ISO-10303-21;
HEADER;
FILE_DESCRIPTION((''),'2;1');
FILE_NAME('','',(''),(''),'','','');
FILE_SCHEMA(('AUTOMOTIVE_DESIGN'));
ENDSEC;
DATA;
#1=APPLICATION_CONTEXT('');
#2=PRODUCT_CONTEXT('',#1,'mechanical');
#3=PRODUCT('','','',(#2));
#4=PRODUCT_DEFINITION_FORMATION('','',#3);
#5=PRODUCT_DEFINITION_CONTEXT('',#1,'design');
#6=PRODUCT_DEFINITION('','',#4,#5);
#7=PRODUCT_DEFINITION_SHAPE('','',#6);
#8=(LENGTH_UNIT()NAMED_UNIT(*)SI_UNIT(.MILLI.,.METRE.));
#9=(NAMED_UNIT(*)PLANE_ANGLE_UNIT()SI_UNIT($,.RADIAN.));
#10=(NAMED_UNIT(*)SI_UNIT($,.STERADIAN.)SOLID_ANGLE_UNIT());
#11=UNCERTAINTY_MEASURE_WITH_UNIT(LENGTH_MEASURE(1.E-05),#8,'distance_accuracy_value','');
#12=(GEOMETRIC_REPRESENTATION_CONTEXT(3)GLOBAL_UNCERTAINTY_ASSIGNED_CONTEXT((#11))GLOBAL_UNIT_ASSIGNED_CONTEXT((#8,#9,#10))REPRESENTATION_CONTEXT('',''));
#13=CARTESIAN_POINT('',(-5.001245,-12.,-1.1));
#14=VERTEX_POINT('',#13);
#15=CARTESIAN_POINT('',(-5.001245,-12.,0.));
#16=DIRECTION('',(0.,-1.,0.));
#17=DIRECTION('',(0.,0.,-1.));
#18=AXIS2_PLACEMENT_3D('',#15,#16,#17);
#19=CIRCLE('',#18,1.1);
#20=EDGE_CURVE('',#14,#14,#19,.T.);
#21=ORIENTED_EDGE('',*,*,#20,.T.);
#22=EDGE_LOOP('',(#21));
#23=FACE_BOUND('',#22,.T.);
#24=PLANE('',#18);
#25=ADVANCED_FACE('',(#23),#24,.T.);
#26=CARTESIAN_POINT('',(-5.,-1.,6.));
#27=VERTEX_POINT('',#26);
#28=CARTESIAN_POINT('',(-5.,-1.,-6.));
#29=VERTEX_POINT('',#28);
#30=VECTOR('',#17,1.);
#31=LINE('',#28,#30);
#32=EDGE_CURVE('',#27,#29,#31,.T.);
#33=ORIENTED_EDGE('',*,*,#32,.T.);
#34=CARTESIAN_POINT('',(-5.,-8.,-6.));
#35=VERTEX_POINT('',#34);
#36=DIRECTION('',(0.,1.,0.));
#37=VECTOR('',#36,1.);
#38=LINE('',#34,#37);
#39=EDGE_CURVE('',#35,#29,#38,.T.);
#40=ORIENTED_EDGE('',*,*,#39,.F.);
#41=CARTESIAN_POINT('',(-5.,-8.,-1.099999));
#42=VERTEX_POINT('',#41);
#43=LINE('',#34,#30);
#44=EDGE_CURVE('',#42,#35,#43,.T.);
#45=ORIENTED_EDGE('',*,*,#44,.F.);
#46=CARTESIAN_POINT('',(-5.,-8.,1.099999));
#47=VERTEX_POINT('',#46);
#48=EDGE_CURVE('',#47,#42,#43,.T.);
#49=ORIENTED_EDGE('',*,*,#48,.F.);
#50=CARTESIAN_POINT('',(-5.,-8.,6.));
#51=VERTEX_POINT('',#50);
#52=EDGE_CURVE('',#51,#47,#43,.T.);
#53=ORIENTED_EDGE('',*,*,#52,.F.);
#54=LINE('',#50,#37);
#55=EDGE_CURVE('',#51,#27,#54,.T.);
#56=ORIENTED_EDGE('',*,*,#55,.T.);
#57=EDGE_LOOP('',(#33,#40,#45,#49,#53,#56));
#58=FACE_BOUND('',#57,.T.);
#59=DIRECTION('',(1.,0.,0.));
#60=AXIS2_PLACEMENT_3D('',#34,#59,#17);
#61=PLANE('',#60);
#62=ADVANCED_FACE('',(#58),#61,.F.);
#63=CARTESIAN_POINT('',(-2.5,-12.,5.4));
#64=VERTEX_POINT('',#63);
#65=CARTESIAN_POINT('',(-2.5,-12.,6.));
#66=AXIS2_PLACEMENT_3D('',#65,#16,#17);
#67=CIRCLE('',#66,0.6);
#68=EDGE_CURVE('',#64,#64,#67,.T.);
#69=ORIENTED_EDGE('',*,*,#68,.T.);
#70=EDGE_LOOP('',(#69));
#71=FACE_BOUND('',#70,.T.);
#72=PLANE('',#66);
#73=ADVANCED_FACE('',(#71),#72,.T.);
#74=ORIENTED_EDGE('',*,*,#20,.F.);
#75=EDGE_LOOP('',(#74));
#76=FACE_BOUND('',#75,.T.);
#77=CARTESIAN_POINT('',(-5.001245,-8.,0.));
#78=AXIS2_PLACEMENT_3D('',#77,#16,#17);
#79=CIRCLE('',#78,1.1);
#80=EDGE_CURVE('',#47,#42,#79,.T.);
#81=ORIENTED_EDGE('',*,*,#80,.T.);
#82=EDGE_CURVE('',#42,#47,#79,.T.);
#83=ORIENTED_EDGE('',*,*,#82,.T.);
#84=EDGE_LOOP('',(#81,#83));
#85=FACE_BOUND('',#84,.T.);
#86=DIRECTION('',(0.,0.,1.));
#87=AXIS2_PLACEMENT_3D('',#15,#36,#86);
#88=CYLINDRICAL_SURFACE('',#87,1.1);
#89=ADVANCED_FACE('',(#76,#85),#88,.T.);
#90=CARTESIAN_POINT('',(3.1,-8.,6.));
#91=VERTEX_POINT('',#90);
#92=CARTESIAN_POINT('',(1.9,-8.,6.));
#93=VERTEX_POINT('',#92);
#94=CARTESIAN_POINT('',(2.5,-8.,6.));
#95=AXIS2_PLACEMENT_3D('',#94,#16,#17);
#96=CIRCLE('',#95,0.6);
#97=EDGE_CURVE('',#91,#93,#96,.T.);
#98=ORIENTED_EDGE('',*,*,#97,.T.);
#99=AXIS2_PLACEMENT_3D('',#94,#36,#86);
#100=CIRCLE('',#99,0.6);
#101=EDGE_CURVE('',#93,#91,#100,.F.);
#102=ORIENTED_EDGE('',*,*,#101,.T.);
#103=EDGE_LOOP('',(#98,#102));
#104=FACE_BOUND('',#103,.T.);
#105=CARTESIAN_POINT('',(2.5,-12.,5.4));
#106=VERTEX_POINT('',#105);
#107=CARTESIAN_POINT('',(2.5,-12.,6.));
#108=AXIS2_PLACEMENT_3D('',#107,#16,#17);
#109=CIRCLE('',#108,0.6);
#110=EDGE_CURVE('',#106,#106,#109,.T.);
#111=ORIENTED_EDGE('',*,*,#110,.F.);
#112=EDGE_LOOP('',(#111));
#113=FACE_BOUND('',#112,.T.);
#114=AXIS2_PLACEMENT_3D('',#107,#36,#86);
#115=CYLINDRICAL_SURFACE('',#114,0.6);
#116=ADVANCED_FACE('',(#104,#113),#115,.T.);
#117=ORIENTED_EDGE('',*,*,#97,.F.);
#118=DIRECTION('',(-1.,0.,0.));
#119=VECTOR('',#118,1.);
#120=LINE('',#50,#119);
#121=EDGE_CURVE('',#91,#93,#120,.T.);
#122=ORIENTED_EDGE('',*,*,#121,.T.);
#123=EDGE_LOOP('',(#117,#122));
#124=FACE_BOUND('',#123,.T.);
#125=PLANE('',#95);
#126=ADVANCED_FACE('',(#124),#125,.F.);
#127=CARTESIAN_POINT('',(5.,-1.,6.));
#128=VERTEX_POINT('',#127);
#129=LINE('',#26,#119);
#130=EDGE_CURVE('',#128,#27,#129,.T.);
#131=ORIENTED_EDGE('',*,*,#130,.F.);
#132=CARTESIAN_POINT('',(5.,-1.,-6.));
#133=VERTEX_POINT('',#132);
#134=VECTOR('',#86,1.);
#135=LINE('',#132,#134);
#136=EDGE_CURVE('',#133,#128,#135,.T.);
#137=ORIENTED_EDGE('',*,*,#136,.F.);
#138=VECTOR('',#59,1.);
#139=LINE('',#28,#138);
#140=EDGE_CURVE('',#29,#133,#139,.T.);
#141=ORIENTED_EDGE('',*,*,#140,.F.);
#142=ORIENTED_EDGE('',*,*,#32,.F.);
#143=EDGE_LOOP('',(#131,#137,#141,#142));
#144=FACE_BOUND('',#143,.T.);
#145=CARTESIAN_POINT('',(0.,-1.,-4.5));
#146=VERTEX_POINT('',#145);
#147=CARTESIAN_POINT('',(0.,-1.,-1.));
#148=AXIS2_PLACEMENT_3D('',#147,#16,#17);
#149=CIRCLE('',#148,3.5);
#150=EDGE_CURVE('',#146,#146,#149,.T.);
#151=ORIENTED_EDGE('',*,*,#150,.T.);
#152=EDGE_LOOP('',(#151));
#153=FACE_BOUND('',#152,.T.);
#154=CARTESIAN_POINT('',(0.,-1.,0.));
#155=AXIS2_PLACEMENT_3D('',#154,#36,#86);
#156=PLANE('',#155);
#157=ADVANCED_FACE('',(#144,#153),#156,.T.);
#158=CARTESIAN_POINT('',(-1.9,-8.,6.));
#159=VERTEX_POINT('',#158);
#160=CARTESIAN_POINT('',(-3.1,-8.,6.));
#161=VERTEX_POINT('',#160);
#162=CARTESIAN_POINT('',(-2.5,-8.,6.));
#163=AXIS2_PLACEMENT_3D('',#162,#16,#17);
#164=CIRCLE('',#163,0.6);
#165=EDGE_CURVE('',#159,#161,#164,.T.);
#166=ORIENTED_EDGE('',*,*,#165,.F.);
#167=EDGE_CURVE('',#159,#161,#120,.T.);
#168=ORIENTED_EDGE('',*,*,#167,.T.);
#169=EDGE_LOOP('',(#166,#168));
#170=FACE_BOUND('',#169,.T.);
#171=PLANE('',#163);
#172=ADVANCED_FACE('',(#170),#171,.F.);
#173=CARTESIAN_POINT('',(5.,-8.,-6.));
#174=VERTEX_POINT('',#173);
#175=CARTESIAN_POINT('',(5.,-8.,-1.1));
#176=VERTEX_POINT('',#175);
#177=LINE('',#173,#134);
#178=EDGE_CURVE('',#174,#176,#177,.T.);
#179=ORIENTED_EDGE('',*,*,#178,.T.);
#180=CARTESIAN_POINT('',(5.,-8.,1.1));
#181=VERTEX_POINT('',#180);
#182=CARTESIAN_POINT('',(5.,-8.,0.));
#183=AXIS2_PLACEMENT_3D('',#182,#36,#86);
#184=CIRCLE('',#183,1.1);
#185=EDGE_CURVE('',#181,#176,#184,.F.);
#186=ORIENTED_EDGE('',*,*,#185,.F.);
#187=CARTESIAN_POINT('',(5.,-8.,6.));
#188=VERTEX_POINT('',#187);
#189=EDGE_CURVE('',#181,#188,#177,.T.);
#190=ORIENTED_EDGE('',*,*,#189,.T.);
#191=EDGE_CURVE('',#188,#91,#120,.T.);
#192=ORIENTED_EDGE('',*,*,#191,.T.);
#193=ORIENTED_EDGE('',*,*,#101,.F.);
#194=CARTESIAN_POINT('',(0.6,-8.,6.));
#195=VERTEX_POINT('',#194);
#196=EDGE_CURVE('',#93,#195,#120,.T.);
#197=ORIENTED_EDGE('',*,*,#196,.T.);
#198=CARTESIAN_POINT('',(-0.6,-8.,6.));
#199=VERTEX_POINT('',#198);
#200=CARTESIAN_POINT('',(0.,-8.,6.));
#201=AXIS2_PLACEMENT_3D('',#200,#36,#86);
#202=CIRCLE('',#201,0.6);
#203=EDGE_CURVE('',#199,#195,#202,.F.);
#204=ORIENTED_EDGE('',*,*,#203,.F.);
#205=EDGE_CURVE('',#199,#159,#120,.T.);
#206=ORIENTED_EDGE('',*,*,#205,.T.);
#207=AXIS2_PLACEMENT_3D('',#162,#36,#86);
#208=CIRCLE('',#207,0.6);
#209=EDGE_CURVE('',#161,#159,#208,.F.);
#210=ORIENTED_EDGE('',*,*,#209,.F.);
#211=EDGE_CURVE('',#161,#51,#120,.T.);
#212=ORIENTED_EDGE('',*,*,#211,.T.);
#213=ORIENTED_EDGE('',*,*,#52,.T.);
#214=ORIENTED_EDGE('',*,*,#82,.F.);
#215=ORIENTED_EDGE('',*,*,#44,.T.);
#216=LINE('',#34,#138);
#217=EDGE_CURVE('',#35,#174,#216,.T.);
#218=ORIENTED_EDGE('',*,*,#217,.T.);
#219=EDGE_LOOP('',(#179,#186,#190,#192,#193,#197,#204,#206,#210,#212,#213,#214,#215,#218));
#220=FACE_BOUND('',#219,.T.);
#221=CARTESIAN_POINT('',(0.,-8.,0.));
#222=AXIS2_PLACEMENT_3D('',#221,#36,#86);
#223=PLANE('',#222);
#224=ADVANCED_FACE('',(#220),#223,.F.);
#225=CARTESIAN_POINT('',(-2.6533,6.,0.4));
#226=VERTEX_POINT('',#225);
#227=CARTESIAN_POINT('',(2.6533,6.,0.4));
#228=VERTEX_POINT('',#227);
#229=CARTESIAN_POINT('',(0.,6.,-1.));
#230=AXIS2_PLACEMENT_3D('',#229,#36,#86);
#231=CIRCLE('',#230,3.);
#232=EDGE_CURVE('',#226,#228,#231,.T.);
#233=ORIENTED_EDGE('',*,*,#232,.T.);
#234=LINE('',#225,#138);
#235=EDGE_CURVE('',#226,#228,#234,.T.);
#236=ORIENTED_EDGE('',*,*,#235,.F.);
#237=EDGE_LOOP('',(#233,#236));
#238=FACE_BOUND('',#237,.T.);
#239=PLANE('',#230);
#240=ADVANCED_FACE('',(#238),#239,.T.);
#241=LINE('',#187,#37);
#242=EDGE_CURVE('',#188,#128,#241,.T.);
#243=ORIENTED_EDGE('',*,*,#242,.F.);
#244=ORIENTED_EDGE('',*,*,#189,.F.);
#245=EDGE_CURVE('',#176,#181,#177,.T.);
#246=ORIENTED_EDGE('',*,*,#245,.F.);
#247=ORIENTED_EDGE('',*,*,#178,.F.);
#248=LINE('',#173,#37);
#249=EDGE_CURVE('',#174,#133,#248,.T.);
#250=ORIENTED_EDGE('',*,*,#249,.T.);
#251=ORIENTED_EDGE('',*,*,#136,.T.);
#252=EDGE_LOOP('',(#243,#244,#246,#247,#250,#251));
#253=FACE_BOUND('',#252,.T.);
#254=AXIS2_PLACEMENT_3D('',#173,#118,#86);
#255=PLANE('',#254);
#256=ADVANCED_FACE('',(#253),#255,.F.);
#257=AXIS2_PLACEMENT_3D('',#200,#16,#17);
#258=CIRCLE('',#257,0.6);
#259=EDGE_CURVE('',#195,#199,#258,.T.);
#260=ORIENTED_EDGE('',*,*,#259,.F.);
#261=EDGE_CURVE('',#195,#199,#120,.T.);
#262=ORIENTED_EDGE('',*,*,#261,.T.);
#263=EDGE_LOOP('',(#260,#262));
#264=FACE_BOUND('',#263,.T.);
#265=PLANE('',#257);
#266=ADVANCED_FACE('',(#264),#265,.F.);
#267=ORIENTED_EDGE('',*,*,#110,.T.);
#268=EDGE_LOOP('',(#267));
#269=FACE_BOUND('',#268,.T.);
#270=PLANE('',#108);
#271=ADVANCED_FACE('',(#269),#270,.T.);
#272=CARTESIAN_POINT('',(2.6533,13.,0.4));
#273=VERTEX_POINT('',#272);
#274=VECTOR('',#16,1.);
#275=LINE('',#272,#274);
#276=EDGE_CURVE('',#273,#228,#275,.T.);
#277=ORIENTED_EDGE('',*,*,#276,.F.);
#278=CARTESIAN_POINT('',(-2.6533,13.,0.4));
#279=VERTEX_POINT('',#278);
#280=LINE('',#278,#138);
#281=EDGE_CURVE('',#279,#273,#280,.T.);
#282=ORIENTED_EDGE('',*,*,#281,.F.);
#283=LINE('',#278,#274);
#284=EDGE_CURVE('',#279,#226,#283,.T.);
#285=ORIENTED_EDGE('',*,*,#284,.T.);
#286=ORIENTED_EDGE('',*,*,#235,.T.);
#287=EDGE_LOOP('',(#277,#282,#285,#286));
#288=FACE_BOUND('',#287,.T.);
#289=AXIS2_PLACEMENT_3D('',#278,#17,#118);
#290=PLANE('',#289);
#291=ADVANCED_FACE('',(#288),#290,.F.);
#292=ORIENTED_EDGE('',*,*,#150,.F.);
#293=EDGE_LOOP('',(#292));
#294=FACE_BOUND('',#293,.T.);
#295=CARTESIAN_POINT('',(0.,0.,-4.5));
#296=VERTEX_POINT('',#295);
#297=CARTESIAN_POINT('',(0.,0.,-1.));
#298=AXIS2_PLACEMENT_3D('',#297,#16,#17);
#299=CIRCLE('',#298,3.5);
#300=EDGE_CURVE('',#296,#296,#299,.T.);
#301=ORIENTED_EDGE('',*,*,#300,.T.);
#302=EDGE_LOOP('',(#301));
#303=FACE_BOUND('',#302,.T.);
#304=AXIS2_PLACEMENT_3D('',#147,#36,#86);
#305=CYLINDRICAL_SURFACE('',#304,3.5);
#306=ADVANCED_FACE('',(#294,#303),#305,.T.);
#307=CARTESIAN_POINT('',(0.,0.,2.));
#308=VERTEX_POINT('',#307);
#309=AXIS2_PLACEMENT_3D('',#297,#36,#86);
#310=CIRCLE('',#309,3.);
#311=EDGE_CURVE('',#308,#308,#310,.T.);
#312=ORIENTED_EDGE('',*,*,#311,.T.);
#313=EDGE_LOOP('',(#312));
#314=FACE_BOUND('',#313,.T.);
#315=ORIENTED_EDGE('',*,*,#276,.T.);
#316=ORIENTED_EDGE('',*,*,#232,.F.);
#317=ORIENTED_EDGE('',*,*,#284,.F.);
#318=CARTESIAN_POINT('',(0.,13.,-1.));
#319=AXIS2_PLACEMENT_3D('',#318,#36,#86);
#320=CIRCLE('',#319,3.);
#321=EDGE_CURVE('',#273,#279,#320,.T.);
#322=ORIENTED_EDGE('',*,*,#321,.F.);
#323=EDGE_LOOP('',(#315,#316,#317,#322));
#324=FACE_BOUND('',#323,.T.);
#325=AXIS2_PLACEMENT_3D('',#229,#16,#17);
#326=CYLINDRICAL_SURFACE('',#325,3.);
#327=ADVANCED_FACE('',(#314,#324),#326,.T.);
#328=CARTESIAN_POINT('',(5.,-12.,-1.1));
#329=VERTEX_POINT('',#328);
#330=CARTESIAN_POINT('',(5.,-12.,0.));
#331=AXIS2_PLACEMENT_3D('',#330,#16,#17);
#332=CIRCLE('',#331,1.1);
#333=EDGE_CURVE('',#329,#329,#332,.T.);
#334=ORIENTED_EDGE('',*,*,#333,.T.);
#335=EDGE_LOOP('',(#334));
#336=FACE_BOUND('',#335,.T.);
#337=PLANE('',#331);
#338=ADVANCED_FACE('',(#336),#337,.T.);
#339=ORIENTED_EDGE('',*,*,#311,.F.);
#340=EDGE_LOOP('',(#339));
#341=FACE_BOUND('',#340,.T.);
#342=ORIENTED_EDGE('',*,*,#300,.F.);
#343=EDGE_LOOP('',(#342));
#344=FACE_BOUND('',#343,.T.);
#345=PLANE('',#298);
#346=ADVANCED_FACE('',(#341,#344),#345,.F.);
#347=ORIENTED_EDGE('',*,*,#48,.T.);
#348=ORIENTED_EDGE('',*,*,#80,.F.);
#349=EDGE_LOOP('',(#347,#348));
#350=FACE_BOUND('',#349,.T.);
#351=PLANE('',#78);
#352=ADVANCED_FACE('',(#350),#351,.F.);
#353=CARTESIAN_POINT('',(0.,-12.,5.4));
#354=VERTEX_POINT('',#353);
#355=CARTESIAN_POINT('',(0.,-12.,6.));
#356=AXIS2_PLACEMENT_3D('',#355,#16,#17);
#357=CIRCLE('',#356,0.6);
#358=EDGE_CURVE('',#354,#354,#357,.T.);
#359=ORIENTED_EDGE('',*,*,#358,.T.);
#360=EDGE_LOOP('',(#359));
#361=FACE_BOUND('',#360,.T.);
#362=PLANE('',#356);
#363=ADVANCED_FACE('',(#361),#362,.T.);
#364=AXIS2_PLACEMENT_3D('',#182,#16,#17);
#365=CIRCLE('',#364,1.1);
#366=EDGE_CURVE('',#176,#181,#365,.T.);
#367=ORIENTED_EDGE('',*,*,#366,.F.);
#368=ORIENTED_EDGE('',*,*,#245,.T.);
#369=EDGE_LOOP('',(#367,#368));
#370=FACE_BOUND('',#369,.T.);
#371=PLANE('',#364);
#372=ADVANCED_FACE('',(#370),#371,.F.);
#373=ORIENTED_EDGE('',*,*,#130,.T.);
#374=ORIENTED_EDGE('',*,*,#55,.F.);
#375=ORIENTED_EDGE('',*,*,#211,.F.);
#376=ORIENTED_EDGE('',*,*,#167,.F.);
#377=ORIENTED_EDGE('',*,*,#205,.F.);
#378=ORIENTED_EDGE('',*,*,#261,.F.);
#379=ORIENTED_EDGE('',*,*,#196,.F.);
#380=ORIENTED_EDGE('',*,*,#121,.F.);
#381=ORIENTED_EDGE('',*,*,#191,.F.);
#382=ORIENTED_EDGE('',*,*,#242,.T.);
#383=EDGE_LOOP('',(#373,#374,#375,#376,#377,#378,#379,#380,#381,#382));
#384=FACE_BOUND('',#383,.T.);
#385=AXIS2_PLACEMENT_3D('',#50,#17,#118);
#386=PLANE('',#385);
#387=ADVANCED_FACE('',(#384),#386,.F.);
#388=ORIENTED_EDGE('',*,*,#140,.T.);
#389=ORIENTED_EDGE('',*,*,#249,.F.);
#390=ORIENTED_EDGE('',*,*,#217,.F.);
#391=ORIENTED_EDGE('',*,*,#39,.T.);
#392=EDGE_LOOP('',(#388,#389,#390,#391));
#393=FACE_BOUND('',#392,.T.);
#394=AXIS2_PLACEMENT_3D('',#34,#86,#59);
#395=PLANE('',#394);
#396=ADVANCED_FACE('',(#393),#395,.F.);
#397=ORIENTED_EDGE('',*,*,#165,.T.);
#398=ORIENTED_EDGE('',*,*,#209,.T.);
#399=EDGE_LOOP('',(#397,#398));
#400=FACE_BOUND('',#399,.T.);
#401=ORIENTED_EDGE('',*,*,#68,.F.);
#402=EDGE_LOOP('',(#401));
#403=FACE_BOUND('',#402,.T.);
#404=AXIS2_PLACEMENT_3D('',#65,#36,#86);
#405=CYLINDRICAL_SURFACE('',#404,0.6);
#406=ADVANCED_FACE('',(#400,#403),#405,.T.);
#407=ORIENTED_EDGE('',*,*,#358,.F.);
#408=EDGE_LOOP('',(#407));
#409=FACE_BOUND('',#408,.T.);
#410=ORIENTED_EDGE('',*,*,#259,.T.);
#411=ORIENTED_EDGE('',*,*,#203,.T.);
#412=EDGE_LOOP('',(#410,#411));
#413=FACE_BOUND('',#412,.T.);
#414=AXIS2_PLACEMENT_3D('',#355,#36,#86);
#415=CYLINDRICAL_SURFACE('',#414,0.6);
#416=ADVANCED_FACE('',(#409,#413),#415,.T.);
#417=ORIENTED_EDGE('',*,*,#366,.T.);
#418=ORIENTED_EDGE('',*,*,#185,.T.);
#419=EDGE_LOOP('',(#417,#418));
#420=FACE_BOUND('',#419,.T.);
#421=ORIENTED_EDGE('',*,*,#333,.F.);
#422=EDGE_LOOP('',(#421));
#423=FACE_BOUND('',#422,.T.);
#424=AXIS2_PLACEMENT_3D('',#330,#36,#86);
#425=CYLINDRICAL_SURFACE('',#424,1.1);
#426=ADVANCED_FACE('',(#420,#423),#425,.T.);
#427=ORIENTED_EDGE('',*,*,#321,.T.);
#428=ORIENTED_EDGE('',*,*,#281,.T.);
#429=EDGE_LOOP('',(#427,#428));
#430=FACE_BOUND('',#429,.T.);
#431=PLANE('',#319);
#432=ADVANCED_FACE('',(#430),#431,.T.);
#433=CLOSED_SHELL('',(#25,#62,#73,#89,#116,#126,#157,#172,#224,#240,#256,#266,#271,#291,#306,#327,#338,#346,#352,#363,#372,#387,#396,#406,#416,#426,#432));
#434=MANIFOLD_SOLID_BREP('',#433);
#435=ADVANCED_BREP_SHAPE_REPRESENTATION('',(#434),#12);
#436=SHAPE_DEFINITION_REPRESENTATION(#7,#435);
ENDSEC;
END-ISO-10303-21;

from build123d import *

# Parameters (mm, degrees)
SKETCH1_R           = 3
BOSS_EXTRUDE1_DEPTH = 6
BOSS_EXTRUDE2_DEPTH = 7
SKETCH3_R           = 3.5
BOSS_EXTRUDE3_DEPTH = 1
SKETCH4_W           = 10
SKETCH4_H           = 12
BOSS_EXTRUDE4_DEPTH = 7
SKETCH5_R           = 1.1
BOSS_EXTRUDE5_DEPTH = 4
SKETCH6_R           = 0.6
BOSS_EXTRUDE6_DEPTH = 4


with BuildPart() as part:
    # Sketch1 → Boss-Extrude1 (new body)
    with BuildSketch(Plane(origin=(0, 0, 0), x_dir=(1, 0, 0), z_dir=(0, 1, 0))):
        with Locations(Location((0, 1, 0), (0, 0, 270))):
            Circle(SKETCH1_R)
    extrude(amount=BOSS_EXTRUDE1_DEPTH)

    # Sketch2 → Boss-Extrude2 (add)
    with BuildSketch(Plane(origin=(0, 6, 0), x_dir=(1, 0, 0), z_dir=(0, 1, 0))):
        with BuildLine():
            Line((-2.653299832, -0.4), (2.653299832, -0.4))
            ThreePointArc((2.653299832, -0.4), (0, 4), (-2.653299832, -0.4))
        make_face()
    extrude(amount=BOSS_EXTRUDE2_DEPTH)

    # Sketch3 → Boss-Extrude3 (add)
    with BuildSketch(Plane.XZ):
        with Locations(Location((0, -1, 0), (0, 0, 270))):
            Circle(SKETCH3_R)
    extrude(amount=BOSS_EXTRUDE3_DEPTH)

    # Sketch4 → Boss-Extrude4 (add)
    with BuildSketch(Plane.XZ.offset(1)):
        Rectangle(SKETCH4_W, SKETCH4_H)
    extrude(amount=BOSS_EXTRUDE4_DEPTH)

    # Sketch5 → Boss-Extrude5 (add)
    with BuildSketch(Plane.XZ.offset(8)):
        with Locations(Location((-5.001245267, 0, 0), (0, 0, 89.93513768))):
            Circle(SKETCH5_R)
        with Locations(Location((5, 0, 0), (0, 0, 270))):
            Circle(SKETCH5_R)
    extrude(amount=BOSS_EXTRUDE5_DEPTH)

    # Sketch6 → Boss-Extrude6 (add)
    with BuildSketch(Plane.XZ.offset(8)):
        with Locations(Location((0, 6, 0), (0, 0, 180))):
            Circle(SKETCH6_R)
        with Locations(Location((2.5, 6, 0), (0, 0, 180))):
            Circle(SKETCH6_R)
        with Locations(Location((-2.5, 6, 0), (0, 0, 180))):
            Circle(SKETCH6_R)
    extrude(amount=BOSS_EXTRUDE6_DEPTH)


solid = part.part
